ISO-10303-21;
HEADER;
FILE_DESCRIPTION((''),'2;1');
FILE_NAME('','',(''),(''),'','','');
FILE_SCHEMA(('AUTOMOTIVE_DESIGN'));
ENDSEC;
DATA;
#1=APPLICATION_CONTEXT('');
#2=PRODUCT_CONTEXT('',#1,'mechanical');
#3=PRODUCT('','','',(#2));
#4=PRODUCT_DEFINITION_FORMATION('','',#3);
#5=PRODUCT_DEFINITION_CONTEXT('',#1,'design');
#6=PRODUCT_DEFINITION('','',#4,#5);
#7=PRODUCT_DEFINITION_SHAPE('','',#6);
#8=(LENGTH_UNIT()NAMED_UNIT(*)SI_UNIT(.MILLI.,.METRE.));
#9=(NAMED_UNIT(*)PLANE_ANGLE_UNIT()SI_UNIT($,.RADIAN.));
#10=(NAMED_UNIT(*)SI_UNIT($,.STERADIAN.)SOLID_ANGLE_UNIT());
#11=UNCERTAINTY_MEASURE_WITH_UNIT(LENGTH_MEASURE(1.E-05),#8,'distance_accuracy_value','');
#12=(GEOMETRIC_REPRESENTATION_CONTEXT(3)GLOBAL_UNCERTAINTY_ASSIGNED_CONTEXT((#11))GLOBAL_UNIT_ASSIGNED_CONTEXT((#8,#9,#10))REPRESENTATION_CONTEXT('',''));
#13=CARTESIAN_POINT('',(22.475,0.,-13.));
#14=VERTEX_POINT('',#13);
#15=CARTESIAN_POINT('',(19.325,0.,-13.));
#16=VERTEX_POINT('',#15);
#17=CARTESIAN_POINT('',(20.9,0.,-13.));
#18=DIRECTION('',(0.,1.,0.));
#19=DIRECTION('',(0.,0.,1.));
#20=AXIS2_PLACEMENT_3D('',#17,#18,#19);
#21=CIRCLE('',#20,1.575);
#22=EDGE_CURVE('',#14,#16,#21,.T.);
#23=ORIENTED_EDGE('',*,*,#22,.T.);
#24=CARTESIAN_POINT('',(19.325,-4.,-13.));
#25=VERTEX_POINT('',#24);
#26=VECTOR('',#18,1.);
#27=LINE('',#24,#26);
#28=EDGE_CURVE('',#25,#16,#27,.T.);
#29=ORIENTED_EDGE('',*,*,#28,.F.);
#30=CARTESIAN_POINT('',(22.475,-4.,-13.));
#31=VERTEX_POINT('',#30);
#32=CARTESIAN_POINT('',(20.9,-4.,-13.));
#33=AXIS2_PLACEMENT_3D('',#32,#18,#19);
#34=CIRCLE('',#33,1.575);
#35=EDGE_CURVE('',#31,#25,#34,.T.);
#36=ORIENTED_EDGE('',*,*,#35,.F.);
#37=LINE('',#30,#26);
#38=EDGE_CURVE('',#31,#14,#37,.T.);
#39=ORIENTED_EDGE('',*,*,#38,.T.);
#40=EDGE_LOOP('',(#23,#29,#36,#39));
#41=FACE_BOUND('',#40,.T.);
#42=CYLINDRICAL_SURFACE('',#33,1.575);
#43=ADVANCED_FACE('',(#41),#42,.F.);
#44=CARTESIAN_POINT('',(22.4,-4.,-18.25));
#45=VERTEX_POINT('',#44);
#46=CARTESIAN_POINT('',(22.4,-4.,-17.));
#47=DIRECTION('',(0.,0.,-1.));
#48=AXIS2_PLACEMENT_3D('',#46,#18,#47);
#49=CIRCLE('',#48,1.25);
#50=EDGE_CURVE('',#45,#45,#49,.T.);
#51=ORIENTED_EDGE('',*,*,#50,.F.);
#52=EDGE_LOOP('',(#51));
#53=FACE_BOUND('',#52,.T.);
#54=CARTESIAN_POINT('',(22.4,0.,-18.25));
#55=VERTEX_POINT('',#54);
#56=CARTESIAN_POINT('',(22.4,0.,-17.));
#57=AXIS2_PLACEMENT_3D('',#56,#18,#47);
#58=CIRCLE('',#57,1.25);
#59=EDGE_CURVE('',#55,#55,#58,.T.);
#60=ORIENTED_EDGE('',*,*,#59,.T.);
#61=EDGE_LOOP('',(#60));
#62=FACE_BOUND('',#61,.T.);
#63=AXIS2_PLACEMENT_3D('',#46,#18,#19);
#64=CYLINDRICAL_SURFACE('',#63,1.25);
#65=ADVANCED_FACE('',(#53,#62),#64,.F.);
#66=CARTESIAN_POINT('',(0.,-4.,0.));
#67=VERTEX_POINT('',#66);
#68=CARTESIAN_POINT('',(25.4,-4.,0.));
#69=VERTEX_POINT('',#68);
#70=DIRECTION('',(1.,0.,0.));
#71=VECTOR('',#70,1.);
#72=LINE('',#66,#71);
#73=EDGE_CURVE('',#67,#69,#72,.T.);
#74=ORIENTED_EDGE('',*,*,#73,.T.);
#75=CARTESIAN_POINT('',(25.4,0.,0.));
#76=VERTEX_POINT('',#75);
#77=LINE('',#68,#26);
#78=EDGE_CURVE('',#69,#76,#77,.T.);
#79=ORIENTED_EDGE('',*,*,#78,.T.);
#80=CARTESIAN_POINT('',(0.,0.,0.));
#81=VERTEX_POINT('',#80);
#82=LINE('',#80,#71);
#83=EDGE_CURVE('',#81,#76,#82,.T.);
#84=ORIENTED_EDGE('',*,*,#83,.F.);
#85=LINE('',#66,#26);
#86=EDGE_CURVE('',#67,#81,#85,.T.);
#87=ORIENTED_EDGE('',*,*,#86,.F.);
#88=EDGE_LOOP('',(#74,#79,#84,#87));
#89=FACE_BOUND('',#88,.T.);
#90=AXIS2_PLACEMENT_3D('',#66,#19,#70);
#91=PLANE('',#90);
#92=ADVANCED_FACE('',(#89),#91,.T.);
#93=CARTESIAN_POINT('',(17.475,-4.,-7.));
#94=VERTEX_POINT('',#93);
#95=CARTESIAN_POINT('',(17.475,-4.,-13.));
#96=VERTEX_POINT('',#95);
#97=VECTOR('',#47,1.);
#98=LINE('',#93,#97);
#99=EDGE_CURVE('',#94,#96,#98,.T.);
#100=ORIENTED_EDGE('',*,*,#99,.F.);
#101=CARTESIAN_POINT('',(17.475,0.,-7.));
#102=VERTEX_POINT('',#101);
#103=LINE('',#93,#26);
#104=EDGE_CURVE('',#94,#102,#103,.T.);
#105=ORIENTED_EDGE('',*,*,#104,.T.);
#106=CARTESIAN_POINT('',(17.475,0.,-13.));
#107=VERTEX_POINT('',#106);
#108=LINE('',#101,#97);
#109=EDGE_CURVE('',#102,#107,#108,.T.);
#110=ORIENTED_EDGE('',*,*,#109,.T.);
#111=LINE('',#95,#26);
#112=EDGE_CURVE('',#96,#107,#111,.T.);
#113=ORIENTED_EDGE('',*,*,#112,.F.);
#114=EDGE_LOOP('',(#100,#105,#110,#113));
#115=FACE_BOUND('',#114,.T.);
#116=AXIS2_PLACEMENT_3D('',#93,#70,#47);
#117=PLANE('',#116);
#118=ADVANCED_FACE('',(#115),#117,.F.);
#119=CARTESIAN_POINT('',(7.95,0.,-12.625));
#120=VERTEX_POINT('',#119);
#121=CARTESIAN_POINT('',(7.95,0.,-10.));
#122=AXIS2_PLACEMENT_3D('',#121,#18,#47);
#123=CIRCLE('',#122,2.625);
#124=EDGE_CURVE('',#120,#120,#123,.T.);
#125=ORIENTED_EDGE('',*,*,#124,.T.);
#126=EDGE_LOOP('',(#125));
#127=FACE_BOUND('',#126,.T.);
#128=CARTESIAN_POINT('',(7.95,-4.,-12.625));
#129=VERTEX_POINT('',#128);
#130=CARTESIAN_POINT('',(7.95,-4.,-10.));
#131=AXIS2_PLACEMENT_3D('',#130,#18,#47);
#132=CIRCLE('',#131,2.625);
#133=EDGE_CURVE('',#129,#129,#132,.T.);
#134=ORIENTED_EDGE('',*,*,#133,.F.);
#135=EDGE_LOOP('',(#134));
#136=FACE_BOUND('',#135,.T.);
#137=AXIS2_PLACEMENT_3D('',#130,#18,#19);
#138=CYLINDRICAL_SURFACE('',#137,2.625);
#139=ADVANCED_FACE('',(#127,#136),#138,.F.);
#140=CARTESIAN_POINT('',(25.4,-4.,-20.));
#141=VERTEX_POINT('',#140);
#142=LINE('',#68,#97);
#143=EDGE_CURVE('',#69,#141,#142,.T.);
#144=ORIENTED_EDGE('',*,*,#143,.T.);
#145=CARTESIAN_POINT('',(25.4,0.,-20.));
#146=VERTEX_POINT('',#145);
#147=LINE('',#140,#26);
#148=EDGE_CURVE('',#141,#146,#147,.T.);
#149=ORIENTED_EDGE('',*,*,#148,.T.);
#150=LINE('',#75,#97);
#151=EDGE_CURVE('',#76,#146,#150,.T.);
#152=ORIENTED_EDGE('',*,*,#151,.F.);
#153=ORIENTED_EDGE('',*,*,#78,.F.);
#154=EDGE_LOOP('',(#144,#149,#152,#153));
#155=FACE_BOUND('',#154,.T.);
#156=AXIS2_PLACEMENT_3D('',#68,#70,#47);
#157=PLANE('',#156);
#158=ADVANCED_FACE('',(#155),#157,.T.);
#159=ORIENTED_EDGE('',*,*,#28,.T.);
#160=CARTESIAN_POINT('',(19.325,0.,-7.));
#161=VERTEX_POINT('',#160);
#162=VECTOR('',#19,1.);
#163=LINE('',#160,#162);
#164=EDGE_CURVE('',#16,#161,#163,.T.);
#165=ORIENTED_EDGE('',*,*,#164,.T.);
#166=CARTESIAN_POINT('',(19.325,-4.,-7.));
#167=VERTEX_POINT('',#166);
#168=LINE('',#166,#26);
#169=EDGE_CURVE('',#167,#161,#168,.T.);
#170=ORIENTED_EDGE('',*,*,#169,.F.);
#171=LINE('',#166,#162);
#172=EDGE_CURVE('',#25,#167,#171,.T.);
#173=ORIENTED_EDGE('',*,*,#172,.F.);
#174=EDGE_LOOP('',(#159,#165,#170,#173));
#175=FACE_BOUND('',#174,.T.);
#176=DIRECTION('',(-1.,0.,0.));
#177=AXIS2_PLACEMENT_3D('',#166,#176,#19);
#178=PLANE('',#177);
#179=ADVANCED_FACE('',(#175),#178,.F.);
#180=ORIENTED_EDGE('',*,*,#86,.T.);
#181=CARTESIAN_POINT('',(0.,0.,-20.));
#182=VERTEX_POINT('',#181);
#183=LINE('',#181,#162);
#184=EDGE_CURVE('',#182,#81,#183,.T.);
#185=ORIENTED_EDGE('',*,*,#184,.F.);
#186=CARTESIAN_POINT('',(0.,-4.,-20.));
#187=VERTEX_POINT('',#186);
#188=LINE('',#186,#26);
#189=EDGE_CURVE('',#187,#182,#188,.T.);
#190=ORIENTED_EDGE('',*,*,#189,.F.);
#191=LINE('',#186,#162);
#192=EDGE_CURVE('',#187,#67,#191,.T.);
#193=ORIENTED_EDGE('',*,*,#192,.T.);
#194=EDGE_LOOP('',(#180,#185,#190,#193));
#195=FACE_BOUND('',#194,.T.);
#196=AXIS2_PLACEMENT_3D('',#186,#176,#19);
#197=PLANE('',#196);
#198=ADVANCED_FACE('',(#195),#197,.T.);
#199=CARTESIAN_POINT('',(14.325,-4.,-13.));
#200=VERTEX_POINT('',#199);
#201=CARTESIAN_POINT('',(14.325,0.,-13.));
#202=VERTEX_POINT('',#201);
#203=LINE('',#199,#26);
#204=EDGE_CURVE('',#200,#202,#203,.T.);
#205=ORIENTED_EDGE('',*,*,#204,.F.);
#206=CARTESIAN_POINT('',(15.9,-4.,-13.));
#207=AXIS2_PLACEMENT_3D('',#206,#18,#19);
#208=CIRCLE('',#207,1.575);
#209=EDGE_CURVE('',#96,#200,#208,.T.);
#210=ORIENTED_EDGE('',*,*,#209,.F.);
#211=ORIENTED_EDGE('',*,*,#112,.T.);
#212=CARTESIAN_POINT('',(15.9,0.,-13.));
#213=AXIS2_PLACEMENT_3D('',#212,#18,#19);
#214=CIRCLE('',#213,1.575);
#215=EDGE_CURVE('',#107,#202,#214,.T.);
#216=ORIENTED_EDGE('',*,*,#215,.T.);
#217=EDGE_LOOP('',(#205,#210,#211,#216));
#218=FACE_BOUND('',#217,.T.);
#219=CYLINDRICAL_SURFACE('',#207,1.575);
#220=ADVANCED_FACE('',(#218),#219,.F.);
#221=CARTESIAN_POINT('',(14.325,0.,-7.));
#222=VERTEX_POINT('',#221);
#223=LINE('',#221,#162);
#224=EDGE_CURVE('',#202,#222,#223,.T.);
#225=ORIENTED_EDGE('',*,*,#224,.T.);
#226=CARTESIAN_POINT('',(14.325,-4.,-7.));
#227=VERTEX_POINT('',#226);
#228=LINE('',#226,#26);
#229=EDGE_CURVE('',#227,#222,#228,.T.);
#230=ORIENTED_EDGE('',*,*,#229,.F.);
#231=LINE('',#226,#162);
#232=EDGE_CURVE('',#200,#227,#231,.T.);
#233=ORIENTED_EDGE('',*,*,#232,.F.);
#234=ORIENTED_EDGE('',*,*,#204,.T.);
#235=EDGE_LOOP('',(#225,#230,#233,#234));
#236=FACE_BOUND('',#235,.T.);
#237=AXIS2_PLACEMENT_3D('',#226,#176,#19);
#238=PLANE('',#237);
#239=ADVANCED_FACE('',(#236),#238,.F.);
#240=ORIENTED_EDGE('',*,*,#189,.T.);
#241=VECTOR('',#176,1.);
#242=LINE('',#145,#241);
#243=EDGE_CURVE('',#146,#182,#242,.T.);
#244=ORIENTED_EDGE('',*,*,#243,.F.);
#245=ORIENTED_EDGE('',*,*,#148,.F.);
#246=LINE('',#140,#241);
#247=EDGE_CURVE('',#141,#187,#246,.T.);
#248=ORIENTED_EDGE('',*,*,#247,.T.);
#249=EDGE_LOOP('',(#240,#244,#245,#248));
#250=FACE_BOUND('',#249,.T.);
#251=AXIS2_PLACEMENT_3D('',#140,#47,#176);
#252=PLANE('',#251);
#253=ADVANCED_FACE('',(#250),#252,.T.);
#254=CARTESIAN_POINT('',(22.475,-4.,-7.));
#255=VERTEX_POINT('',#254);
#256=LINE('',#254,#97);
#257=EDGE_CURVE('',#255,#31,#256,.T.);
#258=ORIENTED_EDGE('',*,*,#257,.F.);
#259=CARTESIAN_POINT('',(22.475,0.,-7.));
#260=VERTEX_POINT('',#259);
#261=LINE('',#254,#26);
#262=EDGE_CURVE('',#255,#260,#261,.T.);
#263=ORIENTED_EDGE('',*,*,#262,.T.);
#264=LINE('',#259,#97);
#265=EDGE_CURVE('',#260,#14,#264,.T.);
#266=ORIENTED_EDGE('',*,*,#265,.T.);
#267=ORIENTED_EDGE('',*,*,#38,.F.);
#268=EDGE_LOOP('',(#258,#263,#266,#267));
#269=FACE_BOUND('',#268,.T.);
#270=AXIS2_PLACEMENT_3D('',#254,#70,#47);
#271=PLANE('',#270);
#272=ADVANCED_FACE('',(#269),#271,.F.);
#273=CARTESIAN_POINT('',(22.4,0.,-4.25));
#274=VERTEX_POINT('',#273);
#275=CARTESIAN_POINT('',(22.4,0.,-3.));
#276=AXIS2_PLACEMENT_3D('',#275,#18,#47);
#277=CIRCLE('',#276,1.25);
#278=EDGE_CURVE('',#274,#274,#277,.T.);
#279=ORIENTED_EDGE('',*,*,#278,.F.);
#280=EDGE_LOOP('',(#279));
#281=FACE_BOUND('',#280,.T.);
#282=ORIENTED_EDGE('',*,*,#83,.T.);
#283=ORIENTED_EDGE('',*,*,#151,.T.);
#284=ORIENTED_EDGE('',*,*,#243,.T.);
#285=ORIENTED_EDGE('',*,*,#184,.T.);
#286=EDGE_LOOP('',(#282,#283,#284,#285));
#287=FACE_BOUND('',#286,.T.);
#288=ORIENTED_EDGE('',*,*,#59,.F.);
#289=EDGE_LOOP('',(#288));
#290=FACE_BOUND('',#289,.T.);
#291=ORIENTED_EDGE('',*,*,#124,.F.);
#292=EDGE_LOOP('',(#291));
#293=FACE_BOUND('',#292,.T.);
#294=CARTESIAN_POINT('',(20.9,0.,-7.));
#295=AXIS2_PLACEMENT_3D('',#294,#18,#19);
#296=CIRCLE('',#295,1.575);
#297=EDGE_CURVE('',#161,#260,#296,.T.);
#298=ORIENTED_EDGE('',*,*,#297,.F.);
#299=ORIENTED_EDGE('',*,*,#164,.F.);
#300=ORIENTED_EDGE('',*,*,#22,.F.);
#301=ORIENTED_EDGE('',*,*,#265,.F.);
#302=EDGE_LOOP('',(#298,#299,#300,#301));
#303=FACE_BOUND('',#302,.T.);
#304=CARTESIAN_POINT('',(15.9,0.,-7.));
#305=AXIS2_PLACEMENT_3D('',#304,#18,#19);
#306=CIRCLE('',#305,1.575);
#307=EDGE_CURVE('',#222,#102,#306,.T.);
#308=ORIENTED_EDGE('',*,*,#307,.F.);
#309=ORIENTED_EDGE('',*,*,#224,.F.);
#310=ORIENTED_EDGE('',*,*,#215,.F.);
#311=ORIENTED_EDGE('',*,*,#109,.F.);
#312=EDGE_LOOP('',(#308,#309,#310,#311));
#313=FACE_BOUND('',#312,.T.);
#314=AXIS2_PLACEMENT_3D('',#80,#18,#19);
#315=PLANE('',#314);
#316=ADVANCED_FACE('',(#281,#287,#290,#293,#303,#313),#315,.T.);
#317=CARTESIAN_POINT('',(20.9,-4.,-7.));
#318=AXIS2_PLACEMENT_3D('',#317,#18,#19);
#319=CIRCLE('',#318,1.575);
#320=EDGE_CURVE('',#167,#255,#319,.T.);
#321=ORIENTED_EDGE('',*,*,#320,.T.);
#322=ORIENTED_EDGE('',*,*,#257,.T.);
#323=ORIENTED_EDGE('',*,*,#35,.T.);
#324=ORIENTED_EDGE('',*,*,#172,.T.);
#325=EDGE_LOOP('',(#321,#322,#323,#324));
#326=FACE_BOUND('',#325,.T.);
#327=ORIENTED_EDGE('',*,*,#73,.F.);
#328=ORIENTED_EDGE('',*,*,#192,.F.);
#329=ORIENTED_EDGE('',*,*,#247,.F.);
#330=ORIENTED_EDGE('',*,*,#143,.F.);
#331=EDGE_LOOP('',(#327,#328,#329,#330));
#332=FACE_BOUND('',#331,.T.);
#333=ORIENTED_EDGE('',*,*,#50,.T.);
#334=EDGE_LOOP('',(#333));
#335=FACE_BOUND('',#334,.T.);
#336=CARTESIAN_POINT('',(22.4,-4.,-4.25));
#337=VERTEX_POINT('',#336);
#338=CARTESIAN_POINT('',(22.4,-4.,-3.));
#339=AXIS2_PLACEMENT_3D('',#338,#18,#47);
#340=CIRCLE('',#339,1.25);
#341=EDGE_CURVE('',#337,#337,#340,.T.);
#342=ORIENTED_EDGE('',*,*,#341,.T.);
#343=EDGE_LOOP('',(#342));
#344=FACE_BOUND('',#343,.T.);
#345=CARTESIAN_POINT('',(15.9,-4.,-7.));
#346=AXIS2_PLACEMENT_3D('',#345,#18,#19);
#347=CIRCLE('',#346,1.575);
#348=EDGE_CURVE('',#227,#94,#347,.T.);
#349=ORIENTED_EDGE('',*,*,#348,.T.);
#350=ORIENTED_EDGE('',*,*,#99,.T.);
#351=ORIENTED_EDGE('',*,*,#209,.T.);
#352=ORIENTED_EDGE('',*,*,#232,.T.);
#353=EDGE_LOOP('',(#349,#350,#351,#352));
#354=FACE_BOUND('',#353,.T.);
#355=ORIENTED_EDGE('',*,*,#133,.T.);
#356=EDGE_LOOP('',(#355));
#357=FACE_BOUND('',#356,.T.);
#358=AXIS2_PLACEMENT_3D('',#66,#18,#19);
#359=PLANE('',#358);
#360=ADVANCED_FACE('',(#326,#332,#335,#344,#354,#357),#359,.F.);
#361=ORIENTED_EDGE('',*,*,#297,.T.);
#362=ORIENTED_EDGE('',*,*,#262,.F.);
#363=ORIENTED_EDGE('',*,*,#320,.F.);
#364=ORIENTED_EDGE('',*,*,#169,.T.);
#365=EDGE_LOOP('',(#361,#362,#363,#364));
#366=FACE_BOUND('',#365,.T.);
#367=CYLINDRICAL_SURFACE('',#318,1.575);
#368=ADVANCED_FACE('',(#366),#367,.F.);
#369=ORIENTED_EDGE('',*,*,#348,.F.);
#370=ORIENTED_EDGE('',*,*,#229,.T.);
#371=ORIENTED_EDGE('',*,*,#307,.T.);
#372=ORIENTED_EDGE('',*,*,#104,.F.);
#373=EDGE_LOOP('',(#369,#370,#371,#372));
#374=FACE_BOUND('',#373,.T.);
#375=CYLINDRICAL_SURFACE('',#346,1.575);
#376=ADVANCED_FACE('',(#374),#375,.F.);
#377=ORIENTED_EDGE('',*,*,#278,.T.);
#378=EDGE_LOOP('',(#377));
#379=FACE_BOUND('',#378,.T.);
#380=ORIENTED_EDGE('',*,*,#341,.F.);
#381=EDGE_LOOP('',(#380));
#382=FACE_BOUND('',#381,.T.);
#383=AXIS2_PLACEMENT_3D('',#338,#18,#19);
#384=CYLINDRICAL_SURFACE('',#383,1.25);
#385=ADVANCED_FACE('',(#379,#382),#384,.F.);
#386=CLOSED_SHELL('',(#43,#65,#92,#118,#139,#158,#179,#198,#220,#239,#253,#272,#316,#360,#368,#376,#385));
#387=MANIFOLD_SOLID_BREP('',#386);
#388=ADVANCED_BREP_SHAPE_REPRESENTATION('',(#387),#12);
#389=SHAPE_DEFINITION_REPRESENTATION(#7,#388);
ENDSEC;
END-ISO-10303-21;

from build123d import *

# Parameters (mm, degrees)
SKETCH1_W           = 25.4
SKETCH1_H           = 20
SKETCH1_R           = 1.25
SKETCH1_R_2         = 2.625
BOSS_EXTRUDE1_DEPTH = 4


with BuildPart() as part:
    # Sketch1 → Boss-Extrude1 (new body)
    with BuildSketch(Plane(origin=(0, 0, 0), x_dir=(1, 0, 0), z_dir=(0, 1, 0))):
        with Locations((12.7, 10)):
            Rectangle(SKETCH1_W, SKETCH1_H)
        with Locations((22.4, 17)):
            Circle(SKETCH1_R, mode=Mode.SUBTRACT)
        with Locations((7.95, 10)):
            Circle(SKETCH1_R_2, mode=Mode.SUBTRACT)
        with Locations((22.4, 3)):
            Circle(SKETCH1_R, mode=Mode.SUBTRACT)
        with BuildLine():
            Line((19.325, 7), (19.325, 13))
            ThreePointArc((19.325, 13), (20.9, 14.575), (22.475, 13))
            Line((22.475, 13), (22.475, 7))
            ThreePointArc((22.475, 7), (20.9, 5.425), (19.325, 7))
        make_face(mode=Mode.SUBTRACT)
        with BuildLine():
            Line((14.325, 7), (14.325, 13))
            ThreePointArc((14.325, 13), (15.9, 14.575), (17.475, 13))
            Line((17.475, 13), (17.475, 7))
            ThreePointArc((17.475, 7), (15.9, 5.425), (14.325, 7))
        make_face(mode=Mode.SUBTRACT)
    extrude(amount=-BOSS_EXTRUDE1_DEPTH)


solid = part.part
